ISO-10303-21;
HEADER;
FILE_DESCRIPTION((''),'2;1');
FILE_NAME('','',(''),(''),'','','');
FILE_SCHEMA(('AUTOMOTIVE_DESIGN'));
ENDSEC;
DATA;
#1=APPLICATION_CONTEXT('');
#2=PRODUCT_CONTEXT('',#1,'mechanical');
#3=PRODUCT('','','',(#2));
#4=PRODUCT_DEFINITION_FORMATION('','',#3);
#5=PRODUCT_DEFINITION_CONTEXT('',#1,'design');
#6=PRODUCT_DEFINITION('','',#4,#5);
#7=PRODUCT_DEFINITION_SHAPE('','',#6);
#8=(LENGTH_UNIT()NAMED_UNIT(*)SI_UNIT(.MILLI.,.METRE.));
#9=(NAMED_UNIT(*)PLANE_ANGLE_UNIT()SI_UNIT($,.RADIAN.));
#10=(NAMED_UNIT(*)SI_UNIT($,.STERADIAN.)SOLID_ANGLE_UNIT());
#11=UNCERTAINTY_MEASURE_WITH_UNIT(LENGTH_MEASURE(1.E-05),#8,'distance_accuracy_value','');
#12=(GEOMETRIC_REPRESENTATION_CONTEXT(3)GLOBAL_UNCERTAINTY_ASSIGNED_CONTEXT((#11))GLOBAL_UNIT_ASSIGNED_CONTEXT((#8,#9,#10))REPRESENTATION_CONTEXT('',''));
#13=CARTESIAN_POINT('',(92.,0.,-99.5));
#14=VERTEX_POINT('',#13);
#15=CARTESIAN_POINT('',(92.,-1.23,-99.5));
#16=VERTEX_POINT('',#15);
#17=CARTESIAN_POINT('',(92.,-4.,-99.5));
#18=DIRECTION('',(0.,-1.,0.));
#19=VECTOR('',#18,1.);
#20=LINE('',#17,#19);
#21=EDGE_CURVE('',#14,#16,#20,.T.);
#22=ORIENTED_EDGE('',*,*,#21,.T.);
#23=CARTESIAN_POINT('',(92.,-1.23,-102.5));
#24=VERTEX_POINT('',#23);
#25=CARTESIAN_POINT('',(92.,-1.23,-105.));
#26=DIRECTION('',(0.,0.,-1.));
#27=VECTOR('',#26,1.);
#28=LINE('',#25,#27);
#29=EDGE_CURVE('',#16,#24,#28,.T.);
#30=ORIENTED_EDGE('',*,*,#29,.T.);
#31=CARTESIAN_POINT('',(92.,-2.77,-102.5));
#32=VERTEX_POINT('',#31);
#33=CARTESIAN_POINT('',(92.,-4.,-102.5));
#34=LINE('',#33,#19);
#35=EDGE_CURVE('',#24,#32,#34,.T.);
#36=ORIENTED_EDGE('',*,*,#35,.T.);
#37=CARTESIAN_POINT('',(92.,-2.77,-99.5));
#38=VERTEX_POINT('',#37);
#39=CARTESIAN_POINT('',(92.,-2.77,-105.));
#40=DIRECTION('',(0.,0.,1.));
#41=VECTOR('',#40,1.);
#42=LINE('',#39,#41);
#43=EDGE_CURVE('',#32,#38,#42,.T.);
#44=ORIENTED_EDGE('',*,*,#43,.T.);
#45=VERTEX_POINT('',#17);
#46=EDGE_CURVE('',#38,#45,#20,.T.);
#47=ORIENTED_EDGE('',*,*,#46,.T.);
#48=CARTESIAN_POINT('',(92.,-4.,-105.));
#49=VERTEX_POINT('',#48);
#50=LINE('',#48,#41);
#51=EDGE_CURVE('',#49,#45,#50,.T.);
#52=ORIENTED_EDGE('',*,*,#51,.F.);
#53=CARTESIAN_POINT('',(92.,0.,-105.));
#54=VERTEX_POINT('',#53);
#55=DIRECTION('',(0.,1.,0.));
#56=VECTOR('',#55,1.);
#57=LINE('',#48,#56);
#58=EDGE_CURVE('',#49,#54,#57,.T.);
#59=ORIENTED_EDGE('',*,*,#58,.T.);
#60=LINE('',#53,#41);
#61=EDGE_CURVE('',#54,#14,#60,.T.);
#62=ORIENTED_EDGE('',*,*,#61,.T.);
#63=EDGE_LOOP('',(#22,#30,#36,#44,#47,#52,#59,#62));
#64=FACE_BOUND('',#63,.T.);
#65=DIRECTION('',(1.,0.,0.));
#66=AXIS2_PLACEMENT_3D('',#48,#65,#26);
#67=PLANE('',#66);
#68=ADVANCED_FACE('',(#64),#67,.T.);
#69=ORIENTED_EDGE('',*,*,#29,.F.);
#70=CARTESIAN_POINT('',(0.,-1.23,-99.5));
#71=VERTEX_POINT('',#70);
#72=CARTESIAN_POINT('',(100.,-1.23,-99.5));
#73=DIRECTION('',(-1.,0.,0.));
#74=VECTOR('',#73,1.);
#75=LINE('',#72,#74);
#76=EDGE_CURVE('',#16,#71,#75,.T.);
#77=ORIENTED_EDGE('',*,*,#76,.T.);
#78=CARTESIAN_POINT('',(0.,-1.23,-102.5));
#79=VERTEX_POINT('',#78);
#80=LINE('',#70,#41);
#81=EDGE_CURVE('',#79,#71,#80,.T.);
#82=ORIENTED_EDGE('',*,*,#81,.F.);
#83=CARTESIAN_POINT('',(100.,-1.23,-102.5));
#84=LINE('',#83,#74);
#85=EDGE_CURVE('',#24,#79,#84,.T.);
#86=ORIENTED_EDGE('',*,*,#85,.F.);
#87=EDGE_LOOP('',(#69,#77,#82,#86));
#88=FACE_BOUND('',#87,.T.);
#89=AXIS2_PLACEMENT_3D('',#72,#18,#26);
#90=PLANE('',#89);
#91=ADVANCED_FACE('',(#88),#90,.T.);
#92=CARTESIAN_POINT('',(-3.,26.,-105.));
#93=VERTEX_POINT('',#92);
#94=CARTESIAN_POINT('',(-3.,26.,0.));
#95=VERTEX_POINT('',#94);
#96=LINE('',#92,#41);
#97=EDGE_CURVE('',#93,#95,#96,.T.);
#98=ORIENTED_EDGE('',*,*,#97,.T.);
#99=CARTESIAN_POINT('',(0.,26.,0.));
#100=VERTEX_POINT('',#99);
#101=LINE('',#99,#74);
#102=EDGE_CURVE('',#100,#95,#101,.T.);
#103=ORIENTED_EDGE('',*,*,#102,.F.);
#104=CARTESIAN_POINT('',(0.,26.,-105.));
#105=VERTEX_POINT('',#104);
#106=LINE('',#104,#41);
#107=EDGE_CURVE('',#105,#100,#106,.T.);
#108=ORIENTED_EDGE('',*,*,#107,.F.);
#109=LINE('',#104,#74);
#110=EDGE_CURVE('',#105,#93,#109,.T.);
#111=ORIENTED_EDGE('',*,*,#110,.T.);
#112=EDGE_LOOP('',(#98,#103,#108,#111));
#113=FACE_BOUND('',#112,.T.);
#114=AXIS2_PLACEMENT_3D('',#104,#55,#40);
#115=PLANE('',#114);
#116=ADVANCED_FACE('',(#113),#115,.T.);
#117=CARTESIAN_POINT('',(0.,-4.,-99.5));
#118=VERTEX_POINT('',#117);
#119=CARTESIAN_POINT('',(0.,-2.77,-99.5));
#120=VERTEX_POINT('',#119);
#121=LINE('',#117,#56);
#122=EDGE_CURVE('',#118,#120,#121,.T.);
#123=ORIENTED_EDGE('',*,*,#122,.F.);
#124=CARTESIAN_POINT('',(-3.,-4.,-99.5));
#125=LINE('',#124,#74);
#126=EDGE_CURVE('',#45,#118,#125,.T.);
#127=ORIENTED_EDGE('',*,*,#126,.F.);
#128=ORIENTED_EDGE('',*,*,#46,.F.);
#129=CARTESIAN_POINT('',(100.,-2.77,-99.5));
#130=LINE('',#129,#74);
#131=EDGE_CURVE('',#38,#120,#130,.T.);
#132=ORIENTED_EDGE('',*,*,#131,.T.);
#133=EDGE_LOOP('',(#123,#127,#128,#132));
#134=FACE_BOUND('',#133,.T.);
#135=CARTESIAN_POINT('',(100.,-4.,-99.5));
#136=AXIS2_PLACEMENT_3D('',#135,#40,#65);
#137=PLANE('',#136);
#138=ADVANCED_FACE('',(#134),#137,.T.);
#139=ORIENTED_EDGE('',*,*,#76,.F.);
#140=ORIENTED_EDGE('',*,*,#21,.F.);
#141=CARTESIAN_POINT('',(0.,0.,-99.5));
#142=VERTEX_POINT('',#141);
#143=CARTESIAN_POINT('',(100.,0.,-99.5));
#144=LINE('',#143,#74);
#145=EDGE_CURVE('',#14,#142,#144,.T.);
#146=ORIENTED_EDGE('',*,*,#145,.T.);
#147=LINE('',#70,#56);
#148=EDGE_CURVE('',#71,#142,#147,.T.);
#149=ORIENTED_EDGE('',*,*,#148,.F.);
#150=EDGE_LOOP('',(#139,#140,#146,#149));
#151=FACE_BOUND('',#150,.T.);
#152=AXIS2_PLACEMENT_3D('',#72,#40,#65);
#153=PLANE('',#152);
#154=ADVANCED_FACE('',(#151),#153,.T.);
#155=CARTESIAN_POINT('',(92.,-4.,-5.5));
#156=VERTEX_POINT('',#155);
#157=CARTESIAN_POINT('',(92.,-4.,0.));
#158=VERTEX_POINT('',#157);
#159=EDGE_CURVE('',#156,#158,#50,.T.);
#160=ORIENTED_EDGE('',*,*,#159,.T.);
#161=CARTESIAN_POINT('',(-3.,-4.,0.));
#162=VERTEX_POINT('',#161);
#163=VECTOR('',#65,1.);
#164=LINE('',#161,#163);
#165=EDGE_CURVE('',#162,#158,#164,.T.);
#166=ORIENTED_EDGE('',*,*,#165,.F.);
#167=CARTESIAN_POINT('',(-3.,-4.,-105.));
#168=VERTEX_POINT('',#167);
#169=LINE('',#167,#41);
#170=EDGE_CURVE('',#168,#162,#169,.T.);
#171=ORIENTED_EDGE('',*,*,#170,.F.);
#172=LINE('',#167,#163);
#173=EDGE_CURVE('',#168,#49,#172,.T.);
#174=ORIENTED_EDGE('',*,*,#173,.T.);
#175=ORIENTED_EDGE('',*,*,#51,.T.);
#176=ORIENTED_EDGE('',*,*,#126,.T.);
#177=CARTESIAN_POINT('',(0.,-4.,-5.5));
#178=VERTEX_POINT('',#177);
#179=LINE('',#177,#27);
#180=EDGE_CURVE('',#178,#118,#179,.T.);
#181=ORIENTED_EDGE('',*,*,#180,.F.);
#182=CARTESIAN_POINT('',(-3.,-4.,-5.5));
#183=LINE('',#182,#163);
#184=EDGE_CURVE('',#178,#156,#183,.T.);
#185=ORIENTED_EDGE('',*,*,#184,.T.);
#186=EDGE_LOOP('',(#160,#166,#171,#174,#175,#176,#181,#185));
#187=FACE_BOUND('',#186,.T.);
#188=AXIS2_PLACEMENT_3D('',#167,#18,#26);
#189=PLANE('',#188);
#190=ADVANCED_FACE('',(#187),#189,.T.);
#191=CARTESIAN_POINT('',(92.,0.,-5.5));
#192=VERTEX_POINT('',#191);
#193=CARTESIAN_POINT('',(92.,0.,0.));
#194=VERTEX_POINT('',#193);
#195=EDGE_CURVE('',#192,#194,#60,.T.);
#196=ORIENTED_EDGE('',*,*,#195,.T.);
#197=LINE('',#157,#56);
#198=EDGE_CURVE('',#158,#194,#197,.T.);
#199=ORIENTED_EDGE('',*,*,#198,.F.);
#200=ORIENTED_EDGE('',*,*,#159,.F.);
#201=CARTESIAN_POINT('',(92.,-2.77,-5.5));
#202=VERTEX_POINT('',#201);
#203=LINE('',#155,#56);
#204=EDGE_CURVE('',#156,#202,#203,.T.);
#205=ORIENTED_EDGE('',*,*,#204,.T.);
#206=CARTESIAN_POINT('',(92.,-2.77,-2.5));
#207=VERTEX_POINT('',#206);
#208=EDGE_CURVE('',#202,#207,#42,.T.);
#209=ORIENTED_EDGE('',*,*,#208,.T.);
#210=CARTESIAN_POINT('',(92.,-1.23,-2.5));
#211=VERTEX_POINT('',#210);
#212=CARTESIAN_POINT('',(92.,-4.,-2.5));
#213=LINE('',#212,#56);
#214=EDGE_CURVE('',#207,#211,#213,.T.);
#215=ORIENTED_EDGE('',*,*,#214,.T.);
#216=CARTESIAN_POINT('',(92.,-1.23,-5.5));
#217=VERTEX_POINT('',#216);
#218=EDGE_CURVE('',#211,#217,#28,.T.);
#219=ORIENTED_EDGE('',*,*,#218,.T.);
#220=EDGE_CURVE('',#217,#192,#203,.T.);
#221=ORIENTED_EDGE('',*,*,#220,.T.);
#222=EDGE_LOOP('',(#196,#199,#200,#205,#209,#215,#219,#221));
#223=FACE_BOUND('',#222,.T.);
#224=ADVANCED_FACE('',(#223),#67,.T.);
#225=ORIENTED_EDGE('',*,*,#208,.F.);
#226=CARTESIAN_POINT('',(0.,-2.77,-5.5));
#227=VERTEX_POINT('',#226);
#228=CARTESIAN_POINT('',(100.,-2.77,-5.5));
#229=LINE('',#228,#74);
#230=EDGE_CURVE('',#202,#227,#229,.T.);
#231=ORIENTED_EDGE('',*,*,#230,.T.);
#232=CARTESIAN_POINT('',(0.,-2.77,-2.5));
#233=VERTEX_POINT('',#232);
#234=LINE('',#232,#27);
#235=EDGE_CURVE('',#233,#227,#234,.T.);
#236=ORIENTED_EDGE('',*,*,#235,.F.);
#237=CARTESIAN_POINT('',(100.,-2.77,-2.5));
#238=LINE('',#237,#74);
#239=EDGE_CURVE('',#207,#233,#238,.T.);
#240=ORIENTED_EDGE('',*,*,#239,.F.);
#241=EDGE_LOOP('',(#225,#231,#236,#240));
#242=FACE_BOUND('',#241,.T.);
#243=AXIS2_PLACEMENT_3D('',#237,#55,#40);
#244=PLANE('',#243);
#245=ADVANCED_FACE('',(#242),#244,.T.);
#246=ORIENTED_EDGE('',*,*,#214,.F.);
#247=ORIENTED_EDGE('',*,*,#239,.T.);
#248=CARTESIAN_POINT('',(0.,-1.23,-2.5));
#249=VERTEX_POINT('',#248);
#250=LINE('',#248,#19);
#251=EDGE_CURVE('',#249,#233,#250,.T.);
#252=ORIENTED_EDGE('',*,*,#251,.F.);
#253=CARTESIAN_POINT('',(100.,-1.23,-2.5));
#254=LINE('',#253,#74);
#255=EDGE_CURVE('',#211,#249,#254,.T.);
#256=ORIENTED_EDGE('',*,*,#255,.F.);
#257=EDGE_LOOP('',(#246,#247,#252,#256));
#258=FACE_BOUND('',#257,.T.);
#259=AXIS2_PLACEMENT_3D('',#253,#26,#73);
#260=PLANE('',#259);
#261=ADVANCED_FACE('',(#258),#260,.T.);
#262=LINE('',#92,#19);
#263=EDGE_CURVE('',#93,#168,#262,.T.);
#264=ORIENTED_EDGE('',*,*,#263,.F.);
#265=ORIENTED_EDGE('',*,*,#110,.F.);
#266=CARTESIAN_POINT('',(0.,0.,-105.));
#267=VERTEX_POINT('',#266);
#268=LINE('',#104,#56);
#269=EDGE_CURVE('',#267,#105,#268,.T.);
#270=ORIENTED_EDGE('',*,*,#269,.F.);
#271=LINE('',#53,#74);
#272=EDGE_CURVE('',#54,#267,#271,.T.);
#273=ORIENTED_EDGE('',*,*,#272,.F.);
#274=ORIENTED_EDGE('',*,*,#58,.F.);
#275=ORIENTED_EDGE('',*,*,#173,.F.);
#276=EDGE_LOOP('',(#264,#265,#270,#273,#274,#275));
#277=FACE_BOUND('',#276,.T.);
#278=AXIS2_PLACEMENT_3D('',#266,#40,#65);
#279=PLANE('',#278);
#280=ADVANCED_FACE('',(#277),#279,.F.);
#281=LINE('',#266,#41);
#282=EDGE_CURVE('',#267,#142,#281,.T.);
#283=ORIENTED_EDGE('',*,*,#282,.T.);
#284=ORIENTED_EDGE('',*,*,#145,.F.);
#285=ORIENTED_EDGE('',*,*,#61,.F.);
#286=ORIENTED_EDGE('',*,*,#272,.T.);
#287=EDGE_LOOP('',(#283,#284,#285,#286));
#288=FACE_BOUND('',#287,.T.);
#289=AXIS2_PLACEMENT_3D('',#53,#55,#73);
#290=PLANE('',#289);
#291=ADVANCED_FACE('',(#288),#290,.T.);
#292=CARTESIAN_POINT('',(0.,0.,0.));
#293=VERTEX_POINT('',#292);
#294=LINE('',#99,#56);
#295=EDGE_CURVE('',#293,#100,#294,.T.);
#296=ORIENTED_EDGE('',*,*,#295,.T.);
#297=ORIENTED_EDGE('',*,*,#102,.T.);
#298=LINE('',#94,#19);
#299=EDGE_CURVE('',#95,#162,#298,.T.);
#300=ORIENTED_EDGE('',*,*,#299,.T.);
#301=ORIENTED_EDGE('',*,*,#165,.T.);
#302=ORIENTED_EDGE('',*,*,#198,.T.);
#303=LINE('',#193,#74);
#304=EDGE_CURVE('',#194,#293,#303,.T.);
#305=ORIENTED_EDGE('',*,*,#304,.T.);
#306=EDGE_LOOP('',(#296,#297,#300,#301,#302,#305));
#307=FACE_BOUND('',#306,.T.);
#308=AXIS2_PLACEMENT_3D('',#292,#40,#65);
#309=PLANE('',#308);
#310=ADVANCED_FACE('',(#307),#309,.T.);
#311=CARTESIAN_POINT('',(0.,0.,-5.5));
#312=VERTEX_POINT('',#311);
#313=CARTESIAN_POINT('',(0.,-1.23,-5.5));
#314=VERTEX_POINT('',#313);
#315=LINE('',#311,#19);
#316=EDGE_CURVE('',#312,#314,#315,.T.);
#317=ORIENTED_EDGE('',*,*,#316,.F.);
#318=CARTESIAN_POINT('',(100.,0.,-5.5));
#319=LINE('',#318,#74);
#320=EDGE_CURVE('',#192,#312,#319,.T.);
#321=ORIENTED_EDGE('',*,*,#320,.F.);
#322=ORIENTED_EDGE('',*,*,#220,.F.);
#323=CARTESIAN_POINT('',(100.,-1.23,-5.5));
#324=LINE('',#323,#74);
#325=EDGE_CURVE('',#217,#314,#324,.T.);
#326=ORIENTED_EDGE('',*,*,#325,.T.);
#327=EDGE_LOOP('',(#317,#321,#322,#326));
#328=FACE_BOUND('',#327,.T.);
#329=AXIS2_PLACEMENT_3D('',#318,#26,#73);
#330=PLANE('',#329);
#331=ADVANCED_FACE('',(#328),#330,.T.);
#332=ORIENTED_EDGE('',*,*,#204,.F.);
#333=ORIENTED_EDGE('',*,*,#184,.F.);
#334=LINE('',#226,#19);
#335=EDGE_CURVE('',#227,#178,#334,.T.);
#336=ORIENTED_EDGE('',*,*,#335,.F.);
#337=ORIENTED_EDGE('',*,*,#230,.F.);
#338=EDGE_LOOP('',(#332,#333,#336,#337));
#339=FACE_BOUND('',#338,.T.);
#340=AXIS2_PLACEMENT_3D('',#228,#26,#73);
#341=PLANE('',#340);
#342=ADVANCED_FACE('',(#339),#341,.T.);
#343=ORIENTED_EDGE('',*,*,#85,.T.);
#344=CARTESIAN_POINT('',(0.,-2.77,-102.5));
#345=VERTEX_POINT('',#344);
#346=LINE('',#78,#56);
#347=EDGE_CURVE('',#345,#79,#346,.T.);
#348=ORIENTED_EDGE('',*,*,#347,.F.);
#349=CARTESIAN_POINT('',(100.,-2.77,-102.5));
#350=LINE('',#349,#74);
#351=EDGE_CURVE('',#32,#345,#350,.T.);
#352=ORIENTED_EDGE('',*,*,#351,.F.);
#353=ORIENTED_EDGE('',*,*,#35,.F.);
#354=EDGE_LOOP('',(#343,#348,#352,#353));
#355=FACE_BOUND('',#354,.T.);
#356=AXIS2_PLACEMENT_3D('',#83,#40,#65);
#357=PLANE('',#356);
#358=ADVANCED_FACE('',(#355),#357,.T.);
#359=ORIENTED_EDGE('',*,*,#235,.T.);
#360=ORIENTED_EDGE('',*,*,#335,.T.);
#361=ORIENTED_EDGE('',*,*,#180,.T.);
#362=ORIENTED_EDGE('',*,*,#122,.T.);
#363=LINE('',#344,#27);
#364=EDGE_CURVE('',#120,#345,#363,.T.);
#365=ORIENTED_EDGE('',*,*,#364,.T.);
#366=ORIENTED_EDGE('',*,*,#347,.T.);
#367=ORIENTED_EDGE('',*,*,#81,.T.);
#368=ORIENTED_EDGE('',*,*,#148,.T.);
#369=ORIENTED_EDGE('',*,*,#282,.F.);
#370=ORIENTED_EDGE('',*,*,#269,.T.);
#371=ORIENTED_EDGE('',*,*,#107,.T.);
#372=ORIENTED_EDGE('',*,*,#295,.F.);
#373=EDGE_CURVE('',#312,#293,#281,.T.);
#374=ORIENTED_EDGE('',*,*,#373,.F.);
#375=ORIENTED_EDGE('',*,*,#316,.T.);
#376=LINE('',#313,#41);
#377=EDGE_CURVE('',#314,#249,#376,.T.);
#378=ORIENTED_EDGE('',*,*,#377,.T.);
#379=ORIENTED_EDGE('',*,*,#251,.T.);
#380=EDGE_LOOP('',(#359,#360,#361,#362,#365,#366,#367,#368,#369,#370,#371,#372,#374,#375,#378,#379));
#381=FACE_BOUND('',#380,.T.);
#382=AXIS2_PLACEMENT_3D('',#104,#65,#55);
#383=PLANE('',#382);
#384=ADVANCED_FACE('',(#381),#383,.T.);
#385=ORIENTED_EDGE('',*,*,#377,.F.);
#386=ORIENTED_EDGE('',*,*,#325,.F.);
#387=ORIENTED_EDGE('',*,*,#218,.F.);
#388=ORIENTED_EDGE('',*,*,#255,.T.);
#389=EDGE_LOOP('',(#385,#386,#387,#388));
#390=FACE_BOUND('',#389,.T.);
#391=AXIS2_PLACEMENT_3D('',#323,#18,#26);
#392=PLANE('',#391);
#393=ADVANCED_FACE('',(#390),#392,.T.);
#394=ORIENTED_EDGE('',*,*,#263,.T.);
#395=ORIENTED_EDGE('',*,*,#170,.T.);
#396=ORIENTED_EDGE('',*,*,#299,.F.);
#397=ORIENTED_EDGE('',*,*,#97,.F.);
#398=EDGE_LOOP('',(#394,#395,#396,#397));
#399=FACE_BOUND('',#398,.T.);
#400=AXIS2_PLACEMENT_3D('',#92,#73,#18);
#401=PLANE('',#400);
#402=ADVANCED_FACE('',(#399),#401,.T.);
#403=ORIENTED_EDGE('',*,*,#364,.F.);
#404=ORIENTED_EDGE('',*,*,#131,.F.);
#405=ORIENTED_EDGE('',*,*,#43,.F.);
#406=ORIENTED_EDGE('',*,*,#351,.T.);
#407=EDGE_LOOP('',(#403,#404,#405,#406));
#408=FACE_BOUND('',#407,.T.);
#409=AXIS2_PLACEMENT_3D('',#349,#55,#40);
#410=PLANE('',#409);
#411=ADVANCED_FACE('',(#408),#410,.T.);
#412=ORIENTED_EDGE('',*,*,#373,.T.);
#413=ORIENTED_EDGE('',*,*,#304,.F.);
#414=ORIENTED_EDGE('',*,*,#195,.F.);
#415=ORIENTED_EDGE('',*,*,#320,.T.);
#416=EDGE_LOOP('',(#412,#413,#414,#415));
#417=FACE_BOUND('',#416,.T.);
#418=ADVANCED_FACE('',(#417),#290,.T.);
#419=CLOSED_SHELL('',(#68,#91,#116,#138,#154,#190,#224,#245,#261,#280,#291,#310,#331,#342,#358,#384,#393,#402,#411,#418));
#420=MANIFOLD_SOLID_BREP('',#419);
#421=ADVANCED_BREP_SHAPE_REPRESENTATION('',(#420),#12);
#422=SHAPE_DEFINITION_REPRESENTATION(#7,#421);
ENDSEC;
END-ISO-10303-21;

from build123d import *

# Parameters (mm, degrees)
BOSS_EXTRUDE1_DEPTH = 105
CUT_EXTRUDE1_DEPTH  = 100


with BuildPart() as part:
    # Sketch1 → Boss-Extrude1 (new body)
    with BuildSketch(Plane.XY):
        Polygon((0, 26), (0, 0), (92, 0), (92, -4), (-3, -4), (-3, 26), align=None)
    extrude(amount=-BOSS_EXTRUDE1_DEPTH)

    # Sketch2 → Cut-Extrude1 (cut)
    with BuildSketch(Plane(origin=(0, 0, 0), x_dir=(0, 0, -1), z_dir=(1, 0, 0))):
        Polygon((99.5, -1.23), (102.5, -1.23), (102.5, -2.77), (99.5, -2.77), (99.5, -4), (5.5, -4), (5.5, -2.77), (2.5, -2.77), (2.5, -1.23), (5.5, -1.23), (5.5, 0), (99.5, 0), align=None)
    extrude(amount=CUT_EXTRUDE1_DEPTH, mode=Mode.SUBTRACT)


solid = part.part
